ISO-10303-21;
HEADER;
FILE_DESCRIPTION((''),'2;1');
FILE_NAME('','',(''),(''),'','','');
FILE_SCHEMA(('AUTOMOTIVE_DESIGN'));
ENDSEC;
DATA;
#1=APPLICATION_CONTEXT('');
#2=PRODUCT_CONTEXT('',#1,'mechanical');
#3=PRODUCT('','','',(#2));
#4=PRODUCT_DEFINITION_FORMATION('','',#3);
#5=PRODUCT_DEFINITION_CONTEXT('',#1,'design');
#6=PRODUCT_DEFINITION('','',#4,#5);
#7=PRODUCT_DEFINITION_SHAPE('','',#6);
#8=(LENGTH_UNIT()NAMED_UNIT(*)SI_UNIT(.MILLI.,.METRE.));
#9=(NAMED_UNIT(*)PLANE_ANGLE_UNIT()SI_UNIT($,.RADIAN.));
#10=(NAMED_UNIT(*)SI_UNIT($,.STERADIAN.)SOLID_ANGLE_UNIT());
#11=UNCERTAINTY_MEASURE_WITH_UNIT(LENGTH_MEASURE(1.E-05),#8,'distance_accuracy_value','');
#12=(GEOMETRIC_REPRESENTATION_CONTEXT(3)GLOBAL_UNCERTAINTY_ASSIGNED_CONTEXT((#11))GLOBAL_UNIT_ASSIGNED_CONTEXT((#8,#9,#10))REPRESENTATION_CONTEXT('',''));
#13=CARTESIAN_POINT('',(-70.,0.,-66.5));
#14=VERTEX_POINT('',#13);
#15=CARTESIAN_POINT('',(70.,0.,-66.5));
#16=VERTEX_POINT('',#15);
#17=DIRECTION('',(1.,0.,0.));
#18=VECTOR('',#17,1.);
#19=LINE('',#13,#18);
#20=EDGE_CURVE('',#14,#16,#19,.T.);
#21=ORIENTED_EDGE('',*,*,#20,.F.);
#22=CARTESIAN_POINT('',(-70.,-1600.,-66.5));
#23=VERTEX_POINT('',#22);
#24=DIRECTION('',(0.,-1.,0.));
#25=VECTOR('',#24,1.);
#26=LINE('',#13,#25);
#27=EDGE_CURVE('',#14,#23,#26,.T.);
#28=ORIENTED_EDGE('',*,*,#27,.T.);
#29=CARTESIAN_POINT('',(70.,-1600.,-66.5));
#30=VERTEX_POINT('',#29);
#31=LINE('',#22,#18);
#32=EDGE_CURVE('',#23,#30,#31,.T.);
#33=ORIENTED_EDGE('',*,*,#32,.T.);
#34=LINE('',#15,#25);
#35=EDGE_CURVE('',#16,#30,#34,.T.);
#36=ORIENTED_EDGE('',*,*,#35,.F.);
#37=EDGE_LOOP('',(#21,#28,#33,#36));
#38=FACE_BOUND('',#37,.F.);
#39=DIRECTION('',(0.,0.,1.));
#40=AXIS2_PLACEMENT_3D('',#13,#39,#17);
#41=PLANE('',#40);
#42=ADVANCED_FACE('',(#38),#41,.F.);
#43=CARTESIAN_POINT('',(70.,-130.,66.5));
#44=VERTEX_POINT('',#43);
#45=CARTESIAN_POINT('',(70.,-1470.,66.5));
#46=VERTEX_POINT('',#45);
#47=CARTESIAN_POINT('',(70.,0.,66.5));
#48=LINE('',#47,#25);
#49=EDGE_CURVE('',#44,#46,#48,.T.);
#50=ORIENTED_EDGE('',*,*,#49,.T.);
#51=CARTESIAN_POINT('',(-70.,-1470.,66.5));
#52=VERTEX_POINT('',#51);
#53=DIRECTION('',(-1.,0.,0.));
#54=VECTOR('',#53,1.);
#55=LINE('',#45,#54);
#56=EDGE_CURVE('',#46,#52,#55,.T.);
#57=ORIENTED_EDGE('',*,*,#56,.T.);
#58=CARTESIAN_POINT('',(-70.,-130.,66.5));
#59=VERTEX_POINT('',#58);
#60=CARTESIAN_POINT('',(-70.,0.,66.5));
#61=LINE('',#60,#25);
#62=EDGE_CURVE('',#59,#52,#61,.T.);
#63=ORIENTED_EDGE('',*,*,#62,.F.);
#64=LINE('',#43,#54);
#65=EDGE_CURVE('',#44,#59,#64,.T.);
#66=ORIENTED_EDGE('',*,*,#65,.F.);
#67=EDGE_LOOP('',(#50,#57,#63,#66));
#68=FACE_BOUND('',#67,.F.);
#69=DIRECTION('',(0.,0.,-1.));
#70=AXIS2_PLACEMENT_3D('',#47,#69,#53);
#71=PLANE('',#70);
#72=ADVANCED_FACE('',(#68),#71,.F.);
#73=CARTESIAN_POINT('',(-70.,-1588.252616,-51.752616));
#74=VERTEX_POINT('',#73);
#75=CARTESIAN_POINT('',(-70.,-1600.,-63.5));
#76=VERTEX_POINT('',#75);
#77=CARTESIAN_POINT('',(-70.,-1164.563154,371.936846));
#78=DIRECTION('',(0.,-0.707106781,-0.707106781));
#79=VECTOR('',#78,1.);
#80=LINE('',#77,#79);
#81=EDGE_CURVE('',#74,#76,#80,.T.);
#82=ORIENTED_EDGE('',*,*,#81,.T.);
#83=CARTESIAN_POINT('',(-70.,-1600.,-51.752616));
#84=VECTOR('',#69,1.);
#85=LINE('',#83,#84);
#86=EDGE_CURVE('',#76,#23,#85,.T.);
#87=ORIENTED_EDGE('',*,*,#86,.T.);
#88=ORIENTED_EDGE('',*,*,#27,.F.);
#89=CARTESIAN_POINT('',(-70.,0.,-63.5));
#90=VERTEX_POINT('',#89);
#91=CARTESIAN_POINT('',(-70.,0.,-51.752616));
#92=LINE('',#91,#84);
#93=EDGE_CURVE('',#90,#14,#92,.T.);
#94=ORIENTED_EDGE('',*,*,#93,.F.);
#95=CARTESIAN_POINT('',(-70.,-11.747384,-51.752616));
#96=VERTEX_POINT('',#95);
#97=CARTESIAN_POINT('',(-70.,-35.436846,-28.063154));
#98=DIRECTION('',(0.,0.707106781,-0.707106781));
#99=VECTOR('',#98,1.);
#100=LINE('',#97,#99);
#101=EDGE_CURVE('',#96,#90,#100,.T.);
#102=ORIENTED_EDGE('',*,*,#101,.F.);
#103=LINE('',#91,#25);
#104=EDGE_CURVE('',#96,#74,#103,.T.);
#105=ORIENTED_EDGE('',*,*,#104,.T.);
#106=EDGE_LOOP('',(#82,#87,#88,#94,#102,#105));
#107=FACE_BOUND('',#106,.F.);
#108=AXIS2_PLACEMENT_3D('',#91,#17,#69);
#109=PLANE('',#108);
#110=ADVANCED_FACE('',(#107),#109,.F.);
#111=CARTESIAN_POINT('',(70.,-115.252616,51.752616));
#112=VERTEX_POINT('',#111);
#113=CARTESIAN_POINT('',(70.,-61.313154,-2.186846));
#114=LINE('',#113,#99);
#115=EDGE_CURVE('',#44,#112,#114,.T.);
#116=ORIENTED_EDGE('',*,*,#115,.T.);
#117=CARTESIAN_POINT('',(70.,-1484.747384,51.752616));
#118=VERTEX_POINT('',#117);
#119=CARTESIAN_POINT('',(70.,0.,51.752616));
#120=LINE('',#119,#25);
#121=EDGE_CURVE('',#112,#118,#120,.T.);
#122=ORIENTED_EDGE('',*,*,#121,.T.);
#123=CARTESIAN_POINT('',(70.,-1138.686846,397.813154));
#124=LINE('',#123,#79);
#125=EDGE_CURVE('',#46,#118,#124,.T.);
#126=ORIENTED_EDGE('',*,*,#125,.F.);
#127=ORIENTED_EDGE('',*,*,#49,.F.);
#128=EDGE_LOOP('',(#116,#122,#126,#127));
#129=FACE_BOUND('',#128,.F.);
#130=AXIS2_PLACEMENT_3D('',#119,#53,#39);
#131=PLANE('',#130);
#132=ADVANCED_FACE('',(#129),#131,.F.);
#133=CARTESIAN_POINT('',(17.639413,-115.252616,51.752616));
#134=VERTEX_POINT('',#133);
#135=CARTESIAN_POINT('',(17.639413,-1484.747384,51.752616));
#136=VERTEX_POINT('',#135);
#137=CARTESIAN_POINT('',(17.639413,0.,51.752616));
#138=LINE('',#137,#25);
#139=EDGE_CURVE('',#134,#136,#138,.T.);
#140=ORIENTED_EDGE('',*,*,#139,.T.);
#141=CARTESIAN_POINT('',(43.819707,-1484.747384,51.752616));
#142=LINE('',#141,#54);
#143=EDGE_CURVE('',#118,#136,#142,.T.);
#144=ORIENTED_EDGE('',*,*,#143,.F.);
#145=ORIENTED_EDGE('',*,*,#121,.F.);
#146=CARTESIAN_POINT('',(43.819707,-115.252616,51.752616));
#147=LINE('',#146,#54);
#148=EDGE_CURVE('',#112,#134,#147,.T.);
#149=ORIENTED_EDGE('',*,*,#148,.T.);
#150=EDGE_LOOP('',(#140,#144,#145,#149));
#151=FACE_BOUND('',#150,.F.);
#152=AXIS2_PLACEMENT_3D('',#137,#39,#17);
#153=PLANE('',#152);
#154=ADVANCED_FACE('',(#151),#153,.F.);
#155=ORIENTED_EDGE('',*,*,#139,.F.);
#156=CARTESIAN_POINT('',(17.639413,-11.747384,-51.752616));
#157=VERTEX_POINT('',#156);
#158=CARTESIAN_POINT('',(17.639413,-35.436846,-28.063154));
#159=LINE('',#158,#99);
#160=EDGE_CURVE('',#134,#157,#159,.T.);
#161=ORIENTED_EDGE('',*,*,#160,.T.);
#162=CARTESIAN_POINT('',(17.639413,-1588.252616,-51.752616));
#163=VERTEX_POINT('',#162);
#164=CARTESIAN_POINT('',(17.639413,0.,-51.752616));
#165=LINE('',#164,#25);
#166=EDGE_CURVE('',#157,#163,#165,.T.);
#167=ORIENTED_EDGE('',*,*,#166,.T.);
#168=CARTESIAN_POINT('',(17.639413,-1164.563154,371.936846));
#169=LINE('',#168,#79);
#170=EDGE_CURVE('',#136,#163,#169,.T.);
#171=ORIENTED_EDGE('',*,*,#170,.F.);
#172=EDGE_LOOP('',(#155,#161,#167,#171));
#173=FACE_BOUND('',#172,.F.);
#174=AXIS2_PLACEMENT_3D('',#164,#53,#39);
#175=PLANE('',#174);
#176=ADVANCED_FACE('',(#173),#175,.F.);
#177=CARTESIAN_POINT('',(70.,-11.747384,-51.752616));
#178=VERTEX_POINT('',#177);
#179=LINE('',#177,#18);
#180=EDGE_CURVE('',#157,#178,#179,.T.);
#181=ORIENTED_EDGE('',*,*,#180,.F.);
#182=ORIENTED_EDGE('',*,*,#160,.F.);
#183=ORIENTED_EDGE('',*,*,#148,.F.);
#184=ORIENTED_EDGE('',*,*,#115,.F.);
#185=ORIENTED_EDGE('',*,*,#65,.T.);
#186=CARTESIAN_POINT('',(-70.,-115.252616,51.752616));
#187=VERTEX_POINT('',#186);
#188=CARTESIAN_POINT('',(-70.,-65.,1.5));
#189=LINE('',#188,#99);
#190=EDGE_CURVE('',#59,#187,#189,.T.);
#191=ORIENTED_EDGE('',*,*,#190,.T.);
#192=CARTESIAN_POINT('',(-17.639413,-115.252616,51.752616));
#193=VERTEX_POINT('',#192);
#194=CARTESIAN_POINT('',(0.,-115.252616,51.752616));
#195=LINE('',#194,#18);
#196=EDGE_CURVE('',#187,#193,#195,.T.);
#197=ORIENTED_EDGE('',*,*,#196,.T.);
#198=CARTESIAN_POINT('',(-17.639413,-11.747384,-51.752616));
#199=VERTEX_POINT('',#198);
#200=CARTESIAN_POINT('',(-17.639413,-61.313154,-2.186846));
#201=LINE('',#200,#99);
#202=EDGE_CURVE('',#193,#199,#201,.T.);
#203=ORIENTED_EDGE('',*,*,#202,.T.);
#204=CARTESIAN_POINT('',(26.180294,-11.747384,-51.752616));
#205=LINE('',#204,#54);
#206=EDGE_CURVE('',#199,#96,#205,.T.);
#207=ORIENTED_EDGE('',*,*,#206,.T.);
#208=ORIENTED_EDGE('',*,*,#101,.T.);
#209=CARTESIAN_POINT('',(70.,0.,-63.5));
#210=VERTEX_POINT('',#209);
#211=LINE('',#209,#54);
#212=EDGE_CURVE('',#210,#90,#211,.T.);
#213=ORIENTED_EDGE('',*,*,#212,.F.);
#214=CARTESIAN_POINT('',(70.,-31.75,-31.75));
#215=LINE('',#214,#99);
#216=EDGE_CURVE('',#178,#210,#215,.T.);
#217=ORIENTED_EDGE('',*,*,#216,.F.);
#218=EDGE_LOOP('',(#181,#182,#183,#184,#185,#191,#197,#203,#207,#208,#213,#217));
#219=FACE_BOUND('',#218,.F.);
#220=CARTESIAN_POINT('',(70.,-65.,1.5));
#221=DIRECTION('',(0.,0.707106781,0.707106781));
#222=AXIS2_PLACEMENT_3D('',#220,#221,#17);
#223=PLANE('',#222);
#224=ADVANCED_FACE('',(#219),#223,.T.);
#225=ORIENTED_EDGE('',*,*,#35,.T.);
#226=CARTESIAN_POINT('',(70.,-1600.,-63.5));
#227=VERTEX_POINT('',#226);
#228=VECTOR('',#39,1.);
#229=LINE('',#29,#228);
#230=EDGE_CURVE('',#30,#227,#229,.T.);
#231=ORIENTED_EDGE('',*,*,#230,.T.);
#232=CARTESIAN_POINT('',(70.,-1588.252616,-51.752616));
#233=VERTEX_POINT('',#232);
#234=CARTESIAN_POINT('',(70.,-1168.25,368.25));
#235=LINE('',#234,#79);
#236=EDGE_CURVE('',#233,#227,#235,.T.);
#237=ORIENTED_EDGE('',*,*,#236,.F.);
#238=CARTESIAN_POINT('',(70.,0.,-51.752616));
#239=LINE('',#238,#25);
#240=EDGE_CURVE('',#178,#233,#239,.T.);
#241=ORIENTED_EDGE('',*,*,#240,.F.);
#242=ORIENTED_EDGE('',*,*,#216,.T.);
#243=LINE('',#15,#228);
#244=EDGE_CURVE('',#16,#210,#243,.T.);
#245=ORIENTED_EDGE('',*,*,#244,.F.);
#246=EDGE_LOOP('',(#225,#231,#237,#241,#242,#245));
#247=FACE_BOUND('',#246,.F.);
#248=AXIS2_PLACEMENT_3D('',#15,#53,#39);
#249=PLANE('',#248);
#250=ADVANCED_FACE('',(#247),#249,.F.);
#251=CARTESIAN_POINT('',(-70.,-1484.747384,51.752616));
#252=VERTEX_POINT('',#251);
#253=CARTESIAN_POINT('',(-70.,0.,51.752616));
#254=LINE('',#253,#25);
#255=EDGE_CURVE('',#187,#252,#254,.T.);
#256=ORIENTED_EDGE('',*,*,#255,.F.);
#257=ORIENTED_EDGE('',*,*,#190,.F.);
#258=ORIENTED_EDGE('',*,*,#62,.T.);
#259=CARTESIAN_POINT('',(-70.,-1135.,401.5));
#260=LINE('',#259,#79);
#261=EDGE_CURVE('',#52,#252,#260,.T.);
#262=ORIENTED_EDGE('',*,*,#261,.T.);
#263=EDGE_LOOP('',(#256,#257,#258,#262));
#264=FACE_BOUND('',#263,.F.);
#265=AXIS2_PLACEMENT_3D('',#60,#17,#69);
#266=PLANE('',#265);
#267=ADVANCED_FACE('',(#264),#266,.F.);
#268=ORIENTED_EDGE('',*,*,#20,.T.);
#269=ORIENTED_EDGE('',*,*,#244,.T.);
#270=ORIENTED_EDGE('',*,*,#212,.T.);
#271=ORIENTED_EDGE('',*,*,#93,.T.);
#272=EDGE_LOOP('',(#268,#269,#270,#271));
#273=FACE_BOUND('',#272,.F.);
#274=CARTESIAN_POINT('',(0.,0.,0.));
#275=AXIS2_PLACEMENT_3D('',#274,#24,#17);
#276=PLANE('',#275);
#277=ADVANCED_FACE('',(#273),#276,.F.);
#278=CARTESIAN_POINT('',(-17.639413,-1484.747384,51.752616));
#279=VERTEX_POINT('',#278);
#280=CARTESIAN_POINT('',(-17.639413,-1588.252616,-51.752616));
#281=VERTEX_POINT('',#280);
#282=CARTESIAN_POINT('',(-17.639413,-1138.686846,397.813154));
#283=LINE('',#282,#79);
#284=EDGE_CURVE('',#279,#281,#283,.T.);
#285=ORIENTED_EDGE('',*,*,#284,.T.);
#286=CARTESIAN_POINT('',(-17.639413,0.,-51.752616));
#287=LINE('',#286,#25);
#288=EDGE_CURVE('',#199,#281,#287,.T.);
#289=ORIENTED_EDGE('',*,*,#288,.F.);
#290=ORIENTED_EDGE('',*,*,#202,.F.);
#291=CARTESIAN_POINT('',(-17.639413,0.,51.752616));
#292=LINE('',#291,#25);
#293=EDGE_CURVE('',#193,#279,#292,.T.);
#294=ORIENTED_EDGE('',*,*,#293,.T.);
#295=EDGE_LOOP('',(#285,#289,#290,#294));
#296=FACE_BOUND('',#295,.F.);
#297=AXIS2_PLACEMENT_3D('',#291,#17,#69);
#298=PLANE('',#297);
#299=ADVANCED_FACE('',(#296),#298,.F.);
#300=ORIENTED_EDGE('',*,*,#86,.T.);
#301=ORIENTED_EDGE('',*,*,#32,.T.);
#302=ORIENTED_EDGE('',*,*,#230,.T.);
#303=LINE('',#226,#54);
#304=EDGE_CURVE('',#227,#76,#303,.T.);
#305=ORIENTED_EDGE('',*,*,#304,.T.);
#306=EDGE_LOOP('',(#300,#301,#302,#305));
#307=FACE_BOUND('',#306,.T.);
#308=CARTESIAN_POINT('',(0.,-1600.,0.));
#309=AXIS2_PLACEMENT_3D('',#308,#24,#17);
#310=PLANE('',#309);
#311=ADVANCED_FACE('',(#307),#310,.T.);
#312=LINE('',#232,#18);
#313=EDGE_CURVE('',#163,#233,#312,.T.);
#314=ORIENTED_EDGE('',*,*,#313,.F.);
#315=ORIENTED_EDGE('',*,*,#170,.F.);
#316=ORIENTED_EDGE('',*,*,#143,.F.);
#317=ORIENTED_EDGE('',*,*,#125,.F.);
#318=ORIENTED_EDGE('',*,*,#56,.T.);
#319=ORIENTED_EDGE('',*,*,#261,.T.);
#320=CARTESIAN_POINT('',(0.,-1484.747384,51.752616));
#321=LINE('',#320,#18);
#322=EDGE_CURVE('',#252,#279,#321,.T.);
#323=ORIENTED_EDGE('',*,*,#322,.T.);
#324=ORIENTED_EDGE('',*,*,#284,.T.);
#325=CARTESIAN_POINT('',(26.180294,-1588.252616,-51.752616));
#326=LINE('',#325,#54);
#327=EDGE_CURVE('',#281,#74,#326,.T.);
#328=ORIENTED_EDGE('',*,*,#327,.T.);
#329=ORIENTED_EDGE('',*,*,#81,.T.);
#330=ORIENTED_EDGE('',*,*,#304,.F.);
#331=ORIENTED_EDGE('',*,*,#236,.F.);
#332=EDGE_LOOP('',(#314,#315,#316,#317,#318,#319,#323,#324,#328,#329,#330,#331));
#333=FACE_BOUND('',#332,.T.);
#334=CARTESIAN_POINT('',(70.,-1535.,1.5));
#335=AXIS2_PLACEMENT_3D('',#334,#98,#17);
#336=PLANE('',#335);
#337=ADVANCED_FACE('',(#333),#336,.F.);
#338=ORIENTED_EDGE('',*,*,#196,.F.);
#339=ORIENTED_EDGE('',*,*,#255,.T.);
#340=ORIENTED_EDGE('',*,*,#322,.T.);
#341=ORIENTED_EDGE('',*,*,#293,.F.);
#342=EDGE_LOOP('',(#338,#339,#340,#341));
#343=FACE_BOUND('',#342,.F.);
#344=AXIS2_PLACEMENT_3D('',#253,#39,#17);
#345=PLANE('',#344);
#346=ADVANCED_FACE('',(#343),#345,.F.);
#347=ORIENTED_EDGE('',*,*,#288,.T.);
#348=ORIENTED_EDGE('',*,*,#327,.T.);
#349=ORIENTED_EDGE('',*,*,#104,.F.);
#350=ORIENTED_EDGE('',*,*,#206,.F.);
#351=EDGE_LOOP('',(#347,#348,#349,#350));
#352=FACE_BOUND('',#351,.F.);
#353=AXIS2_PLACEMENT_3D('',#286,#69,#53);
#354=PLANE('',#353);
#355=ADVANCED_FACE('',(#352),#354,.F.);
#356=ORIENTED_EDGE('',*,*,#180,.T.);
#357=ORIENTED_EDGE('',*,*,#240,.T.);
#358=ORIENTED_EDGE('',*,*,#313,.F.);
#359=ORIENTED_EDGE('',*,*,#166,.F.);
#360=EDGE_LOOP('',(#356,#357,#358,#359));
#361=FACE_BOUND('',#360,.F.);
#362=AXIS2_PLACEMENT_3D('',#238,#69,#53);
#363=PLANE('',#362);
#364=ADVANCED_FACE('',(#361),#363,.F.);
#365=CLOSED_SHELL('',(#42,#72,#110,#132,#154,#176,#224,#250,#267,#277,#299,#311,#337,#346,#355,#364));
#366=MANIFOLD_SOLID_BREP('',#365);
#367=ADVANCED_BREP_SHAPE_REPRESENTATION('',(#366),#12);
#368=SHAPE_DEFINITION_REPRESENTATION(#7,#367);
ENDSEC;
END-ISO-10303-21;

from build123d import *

# Parameters (mm, degrees)
F1_DEPTH = 1600
F2_SIZE  = 130


with BuildPart() as f1:
    # F0 (on Front) → F1 (new body)
    with BuildSketch(Plane.XZ):
        Polygon((-70, -66.5), (70, -66.5), (70, -51.752616), (17.639413, -51.752616), (17.639413, 51.752616), (70, 51.752616), (70, 66.5), (-70, 66.5), (-70, 51.752616), (-17.639413, 51.752616), (-17.639413, -51.752616), (-70, -51.752616), align=None)
    extrude(amount=F1_DEPTH)

    # F2
    f2_edges = [f1.edges().sort_by_distance(p)[0] for p in [
        (0, -1600, 66.5),
        (0, 0, 66.5),
    ]]
    chamfer(f2_edges, length=F2_SIZE)


solid = f1.part
